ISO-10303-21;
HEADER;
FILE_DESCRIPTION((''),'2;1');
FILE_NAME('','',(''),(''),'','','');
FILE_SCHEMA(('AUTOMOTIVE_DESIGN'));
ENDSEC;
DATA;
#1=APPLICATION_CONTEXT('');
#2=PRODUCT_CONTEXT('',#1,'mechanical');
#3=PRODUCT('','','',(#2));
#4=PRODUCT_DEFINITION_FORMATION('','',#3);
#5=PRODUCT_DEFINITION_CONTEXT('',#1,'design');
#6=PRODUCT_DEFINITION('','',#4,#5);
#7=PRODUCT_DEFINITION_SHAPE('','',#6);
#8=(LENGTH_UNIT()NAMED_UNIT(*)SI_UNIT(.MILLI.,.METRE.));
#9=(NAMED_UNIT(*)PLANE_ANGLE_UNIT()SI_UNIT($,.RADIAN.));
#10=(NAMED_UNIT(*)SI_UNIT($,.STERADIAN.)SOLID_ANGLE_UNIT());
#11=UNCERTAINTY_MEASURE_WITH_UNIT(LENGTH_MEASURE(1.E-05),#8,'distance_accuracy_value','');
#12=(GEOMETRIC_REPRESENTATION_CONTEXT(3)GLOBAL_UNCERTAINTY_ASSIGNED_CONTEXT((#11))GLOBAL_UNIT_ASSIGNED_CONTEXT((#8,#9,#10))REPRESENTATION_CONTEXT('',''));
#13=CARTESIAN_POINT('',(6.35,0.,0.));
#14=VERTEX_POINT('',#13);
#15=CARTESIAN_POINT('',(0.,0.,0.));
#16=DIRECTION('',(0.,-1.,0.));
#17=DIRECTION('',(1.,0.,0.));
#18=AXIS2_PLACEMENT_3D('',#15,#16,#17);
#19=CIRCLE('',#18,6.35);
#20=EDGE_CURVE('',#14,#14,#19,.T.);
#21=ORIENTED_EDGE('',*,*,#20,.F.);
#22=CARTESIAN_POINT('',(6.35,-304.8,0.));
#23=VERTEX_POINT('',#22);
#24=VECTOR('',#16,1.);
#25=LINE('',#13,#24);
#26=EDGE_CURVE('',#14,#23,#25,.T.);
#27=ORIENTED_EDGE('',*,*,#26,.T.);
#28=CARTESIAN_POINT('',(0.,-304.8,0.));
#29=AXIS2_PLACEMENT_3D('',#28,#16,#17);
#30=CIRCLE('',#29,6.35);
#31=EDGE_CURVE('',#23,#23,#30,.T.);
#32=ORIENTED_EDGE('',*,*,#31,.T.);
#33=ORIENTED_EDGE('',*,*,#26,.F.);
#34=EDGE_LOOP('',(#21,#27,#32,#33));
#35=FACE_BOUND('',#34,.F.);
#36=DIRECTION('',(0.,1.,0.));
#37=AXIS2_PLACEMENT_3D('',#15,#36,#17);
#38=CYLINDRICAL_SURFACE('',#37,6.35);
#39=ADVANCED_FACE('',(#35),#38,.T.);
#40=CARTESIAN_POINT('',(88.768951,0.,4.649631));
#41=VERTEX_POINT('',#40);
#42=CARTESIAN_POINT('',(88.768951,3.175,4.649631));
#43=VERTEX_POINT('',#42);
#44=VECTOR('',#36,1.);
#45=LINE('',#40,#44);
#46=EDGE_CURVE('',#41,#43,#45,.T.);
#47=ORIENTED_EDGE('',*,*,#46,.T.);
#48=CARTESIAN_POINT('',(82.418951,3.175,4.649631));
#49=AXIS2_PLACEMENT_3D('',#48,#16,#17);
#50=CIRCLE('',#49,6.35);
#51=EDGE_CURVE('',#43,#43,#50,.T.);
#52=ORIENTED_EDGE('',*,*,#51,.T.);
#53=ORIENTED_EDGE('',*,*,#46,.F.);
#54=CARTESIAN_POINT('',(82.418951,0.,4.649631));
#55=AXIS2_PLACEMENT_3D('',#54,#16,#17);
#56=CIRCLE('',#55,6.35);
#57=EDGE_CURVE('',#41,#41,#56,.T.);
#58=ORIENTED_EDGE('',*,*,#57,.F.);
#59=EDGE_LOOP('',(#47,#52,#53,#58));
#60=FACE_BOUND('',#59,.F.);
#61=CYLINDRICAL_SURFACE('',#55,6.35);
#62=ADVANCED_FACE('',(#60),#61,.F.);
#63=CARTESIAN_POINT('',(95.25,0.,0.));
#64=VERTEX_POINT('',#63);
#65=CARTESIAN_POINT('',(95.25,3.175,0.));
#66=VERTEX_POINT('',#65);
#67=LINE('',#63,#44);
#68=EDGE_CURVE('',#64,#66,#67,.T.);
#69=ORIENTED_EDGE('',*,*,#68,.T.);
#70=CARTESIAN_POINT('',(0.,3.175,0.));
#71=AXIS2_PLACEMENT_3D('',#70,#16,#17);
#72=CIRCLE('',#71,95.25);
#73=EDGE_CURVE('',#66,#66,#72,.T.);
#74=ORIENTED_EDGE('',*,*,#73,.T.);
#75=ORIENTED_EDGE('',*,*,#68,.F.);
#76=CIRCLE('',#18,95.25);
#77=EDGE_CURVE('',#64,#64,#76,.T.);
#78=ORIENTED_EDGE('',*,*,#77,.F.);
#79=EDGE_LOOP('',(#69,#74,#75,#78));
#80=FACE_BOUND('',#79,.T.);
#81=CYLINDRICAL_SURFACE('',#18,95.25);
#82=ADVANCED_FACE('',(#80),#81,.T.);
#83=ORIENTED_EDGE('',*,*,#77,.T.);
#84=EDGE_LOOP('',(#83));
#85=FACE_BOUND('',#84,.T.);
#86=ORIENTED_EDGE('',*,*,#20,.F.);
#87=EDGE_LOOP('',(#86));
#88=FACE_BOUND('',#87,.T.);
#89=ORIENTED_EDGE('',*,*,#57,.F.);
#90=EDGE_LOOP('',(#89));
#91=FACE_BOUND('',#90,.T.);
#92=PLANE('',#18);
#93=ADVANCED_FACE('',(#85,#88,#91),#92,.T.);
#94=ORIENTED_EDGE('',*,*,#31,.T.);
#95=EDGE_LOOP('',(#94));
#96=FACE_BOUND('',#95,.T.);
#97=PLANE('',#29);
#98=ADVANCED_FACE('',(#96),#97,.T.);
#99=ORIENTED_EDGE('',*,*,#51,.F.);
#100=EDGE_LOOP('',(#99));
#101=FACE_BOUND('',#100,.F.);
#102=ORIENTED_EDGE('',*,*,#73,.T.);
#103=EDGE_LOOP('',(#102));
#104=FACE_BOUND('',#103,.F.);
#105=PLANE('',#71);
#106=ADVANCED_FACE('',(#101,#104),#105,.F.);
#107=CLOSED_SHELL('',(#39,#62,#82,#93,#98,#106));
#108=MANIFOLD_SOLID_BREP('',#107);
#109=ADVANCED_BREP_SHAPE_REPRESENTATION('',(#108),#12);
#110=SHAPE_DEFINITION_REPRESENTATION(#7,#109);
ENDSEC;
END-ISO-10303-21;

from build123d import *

# Parameters (mm, degrees)
F0_R          = 95.25
F0_R_2        = 6.35
F1_DEPTH      = 3.175
F2_R          = 6.35
F3_DEPTH      = 304.8
F3_DEPTH_BACK = 3.175


with BuildPart() as f1:
    # F0 (on Front) → F1 (new body)
    with BuildSketch(Plane.XZ):
        Circle(F0_R)
        Circle(F0_R_2, mode=Mode.SUBTRACT)
        with Locations((82.418951, 4.649631)):
            Circle(F0_R_2, mode=Mode.SUBTRACT)
    extrude(amount=-F1_DEPTH)

    # F2 (on face) → F3 (join, two sides)
    with BuildSketch(Plane.XZ) as f3_sk:
        Circle(F2_R)
    extrude(amount=F3_DEPTH)
    extrude(f3_sk.sketch, amount=-F3_DEPTH_BACK)


solid = f1.part
